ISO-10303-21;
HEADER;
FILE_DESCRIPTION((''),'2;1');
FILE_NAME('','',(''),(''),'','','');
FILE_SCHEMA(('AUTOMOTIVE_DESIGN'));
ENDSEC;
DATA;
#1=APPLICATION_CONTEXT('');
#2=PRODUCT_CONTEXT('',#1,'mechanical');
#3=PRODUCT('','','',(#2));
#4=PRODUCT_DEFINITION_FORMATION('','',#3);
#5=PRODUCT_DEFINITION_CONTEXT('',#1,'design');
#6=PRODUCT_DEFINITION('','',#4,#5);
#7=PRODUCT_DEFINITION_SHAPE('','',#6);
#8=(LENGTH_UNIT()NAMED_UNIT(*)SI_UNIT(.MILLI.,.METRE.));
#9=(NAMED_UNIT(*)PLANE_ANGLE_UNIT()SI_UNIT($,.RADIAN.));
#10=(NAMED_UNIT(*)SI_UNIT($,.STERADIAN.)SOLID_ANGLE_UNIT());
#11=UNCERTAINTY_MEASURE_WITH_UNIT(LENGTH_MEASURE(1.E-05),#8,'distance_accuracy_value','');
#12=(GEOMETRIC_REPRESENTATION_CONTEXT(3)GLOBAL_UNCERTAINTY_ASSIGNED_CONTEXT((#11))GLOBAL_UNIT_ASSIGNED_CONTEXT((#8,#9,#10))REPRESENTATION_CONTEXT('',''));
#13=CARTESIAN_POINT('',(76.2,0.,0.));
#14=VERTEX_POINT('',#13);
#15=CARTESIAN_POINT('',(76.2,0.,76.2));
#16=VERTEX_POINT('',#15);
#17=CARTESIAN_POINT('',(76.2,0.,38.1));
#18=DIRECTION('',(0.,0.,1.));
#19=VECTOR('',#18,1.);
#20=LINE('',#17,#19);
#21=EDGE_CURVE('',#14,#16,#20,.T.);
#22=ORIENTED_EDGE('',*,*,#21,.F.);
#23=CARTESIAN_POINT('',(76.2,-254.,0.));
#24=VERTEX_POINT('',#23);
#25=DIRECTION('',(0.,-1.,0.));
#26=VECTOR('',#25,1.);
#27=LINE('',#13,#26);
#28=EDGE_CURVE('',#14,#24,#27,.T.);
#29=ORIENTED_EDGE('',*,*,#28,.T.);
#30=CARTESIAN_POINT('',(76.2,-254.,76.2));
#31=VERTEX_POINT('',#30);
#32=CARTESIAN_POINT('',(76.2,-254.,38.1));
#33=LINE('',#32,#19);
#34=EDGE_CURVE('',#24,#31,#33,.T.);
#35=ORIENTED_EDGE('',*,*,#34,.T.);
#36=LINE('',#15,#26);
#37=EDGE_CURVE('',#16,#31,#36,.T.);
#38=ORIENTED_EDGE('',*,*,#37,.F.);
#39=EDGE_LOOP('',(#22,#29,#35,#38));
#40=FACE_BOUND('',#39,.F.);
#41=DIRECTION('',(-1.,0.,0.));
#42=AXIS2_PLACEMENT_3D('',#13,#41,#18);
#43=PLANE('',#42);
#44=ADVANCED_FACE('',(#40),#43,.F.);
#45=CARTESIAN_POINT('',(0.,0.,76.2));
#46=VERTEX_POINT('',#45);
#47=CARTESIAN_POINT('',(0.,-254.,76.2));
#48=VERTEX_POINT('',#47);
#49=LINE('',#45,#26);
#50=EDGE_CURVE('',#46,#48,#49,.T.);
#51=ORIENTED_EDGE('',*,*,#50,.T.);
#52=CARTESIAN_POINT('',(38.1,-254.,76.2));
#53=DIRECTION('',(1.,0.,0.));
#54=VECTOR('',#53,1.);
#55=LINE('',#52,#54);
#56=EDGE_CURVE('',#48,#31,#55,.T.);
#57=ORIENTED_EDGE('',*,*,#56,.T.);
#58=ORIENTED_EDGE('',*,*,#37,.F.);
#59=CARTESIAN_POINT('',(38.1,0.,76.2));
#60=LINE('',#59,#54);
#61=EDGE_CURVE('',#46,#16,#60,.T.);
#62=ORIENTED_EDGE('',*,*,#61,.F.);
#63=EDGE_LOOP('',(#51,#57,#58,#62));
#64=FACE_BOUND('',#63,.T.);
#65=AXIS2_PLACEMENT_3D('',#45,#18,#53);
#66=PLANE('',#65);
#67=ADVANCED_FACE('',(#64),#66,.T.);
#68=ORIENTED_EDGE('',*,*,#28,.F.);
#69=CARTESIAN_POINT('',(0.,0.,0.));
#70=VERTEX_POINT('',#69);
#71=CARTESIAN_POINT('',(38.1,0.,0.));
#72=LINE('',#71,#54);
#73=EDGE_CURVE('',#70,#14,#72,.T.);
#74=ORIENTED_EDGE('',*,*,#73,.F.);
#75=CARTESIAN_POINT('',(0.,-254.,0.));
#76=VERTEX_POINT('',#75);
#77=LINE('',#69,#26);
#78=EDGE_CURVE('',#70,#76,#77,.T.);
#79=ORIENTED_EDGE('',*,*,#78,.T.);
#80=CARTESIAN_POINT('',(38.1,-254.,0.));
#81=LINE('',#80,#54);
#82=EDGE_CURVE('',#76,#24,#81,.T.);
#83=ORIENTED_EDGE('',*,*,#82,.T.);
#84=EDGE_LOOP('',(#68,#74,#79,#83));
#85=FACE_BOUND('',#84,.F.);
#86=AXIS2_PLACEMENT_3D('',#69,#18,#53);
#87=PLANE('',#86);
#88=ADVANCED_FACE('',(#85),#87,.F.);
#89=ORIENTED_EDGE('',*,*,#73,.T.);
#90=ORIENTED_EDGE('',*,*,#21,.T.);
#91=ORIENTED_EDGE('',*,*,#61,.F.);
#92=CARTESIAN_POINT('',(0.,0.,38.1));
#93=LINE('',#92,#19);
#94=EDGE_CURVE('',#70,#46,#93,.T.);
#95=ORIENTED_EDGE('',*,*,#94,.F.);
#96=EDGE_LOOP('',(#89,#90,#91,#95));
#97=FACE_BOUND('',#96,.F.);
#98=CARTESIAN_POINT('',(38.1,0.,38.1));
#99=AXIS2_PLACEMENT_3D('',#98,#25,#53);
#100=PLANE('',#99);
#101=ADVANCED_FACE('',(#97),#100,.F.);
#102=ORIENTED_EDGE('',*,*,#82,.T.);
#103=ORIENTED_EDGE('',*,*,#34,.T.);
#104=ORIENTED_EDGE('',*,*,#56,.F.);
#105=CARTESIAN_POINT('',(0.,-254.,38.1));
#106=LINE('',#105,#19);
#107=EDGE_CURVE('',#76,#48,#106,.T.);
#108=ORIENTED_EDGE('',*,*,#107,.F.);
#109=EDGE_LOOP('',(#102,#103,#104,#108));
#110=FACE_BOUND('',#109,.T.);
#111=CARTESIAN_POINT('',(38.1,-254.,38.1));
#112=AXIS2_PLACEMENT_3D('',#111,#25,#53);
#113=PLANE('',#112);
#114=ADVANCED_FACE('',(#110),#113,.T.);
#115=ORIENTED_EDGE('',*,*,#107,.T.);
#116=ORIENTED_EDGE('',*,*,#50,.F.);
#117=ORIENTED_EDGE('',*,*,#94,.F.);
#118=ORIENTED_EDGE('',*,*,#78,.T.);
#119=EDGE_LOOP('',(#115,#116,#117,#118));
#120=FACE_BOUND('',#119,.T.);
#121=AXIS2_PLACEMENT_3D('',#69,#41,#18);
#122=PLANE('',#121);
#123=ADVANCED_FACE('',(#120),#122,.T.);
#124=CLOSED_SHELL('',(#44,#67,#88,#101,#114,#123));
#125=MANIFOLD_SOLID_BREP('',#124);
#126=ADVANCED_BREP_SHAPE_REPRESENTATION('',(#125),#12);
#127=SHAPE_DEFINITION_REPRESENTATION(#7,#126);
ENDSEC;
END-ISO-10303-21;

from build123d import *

# Parameters (mm, degrees)
F0_W     = 76.2
F0_H     = 76.2
F1_DEPTH = 254
F2_R     = 12.7
F3_DEPTH = 25.4


with BuildPart() as f1:
    # F0 (on Front) → F1 (new body)
    with BuildSketch(Plane.XZ):
        with Locations((38.1, 38.1)):
            Rectangle(F0_W, F0_H)
    extrude(amount=F1_DEPTH)

    # F2 (on face) → F3 (join)
    with BuildSketch(Plane.XZ.offset(254)):
        with Locations((38.1, 38.1)):
            Circle(F2_R)
    extrude(amount=-F3_DEPTH)


solid = f1.part
